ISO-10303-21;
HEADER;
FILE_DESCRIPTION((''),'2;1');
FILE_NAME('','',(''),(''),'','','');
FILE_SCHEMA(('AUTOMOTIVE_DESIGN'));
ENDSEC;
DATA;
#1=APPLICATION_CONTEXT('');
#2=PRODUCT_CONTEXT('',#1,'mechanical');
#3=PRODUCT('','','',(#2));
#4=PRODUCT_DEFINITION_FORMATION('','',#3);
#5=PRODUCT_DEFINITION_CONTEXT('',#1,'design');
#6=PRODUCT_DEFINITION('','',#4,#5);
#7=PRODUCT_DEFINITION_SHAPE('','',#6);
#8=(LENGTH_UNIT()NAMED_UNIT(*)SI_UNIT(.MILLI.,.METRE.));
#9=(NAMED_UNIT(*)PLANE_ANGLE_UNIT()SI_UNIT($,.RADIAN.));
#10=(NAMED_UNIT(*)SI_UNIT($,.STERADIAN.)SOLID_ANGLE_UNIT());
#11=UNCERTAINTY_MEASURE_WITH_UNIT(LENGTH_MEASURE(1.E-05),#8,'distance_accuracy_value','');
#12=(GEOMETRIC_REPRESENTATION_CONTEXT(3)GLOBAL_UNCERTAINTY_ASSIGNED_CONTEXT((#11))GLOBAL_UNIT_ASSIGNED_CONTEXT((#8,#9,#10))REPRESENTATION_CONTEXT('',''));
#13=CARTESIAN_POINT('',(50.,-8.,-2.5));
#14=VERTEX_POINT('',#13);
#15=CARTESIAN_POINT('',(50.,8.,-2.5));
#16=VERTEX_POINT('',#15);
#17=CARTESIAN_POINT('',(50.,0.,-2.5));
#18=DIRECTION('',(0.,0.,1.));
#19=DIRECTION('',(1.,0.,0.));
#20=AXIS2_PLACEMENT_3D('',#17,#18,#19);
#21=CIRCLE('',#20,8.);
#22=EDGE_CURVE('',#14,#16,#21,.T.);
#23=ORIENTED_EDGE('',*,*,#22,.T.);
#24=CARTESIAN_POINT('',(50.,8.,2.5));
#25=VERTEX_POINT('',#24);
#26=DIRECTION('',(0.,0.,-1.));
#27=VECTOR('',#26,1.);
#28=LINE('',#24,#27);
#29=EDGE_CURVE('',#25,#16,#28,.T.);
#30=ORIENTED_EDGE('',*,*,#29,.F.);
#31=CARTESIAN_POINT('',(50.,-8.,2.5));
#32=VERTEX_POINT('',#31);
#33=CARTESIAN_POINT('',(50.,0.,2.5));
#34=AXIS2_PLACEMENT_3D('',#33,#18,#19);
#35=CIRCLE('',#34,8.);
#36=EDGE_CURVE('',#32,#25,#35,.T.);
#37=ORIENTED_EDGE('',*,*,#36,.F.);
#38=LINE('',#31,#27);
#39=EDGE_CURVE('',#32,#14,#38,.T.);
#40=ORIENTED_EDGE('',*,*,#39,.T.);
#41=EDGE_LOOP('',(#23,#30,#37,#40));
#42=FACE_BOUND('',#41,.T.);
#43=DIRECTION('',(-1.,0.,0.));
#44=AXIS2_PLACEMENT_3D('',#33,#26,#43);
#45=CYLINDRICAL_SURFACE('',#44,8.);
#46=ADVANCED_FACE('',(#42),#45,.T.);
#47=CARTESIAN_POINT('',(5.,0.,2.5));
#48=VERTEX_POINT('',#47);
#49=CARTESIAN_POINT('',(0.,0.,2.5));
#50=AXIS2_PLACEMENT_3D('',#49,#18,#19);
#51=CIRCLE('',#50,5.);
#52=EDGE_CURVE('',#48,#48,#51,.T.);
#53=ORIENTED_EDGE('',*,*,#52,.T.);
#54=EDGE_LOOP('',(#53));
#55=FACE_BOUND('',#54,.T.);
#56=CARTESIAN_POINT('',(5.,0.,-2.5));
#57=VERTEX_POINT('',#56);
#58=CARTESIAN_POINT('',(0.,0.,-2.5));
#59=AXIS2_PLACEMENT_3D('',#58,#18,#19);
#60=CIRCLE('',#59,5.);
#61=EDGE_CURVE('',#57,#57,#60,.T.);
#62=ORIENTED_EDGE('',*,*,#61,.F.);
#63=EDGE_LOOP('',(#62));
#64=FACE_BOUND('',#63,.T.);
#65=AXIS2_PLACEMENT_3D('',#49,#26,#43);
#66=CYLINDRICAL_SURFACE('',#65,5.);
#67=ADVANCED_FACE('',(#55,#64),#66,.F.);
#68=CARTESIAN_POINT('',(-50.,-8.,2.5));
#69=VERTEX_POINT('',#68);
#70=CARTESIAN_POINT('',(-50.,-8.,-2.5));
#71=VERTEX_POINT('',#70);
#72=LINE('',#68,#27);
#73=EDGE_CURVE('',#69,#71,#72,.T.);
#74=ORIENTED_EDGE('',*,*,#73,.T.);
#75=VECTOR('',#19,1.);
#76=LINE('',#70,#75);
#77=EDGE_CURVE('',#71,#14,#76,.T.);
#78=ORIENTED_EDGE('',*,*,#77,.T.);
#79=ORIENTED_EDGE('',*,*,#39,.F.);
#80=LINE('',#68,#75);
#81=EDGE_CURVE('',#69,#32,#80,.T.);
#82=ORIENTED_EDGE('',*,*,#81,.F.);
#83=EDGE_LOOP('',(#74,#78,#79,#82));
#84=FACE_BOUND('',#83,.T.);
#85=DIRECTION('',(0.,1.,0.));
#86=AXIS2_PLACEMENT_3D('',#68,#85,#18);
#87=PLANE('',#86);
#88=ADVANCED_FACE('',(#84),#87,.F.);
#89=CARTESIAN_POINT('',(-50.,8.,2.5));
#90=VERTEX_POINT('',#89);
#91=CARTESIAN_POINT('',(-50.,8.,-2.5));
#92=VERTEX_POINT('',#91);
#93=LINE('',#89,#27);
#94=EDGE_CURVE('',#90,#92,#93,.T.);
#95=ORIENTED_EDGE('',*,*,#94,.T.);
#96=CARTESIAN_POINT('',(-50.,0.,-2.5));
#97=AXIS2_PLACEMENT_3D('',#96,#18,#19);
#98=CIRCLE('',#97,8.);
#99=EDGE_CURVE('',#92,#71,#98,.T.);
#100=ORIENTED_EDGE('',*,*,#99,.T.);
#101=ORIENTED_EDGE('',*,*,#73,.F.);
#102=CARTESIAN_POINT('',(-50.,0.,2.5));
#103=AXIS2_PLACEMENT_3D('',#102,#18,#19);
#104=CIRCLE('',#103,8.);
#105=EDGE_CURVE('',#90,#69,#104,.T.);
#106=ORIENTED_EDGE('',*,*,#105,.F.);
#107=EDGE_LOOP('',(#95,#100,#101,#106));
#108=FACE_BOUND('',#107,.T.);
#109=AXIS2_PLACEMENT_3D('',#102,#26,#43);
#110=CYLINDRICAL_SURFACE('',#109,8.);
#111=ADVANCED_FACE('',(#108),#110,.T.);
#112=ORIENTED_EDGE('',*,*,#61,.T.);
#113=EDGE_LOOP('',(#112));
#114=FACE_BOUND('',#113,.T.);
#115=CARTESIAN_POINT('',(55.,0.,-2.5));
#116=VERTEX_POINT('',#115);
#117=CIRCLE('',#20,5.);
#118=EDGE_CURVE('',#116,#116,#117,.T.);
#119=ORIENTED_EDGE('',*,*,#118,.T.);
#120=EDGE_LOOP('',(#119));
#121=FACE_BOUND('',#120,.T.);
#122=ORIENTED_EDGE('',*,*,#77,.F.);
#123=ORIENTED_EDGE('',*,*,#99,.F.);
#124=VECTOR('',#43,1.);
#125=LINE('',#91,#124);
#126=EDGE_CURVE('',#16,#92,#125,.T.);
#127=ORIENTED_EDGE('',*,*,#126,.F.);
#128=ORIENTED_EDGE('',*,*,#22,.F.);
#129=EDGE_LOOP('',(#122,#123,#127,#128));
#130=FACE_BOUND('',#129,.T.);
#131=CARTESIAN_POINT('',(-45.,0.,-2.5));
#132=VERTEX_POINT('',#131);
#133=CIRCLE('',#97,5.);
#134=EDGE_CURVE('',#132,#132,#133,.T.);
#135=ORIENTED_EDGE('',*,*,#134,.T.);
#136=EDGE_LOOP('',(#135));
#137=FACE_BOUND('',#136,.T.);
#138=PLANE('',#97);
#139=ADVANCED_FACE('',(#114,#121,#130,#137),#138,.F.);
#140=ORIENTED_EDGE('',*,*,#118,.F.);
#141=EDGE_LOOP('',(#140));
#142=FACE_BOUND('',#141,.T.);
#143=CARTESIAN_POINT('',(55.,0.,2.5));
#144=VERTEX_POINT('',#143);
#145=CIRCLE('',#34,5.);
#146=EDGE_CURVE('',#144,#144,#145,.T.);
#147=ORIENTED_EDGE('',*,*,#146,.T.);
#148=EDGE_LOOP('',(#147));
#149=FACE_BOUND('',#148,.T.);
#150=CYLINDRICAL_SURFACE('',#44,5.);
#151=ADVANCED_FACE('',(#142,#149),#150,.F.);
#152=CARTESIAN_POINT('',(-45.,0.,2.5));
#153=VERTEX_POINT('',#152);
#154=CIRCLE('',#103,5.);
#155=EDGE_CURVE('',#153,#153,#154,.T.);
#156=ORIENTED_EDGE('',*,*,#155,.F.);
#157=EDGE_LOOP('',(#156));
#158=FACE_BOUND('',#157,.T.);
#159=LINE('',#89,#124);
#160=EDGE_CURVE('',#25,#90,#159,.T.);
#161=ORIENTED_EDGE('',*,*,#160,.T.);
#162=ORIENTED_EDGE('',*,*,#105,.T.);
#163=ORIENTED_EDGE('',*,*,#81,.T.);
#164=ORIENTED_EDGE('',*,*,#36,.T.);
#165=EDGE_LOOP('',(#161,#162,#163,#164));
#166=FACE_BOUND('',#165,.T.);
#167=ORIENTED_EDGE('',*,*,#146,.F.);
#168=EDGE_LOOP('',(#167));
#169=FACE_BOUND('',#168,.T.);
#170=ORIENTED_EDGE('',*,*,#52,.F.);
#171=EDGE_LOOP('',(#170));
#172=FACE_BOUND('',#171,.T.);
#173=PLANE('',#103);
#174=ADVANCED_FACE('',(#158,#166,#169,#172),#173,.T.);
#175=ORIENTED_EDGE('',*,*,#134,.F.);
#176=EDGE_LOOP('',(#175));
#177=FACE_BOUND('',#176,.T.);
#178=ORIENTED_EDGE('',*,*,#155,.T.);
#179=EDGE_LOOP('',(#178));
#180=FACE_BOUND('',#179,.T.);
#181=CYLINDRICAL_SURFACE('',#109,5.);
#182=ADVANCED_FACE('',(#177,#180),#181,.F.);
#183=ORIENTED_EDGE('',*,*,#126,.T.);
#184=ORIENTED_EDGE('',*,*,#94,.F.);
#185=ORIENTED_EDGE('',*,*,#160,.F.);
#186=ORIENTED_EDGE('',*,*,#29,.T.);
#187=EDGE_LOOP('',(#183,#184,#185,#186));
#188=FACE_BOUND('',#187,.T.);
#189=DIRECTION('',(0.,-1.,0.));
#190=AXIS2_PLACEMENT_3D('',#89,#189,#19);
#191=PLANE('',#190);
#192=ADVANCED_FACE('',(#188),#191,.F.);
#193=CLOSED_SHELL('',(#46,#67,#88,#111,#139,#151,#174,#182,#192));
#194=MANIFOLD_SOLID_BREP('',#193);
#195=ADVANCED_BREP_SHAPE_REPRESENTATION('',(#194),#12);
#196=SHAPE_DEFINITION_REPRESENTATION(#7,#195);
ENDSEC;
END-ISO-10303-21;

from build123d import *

# Parameters (mm, degrees)
SKETCH1_R           = 5
BOSS_EXTRUDE1_DEPTH = 2.5


with BuildPart() as part:
    # Sketch1 → Boss-Extrude1 (new, symmetric)
    with BuildSketch(Plane.XY):
        with BuildLine():
            Line((-50, 8), (50, 8))
            ThreePointArc((50, 8), (58, 0), (50, -8))
            Line((50, -8), (-50, -8))
            ThreePointArc((-50, -8), (-58, 0), (-50, 8))
        make_face()
        with Locations((-50, 0)):
            Circle(SKETCH1_R, mode=Mode.SUBTRACT)
        with Locations((50, 0)):
            Circle(SKETCH1_R, mode=Mode.SUBTRACT)
        Circle(SKETCH1_R, mode=Mode.SUBTRACT)
    extrude(amount=BOSS_EXTRUDE1_DEPTH, both=True)


solid = part.part
